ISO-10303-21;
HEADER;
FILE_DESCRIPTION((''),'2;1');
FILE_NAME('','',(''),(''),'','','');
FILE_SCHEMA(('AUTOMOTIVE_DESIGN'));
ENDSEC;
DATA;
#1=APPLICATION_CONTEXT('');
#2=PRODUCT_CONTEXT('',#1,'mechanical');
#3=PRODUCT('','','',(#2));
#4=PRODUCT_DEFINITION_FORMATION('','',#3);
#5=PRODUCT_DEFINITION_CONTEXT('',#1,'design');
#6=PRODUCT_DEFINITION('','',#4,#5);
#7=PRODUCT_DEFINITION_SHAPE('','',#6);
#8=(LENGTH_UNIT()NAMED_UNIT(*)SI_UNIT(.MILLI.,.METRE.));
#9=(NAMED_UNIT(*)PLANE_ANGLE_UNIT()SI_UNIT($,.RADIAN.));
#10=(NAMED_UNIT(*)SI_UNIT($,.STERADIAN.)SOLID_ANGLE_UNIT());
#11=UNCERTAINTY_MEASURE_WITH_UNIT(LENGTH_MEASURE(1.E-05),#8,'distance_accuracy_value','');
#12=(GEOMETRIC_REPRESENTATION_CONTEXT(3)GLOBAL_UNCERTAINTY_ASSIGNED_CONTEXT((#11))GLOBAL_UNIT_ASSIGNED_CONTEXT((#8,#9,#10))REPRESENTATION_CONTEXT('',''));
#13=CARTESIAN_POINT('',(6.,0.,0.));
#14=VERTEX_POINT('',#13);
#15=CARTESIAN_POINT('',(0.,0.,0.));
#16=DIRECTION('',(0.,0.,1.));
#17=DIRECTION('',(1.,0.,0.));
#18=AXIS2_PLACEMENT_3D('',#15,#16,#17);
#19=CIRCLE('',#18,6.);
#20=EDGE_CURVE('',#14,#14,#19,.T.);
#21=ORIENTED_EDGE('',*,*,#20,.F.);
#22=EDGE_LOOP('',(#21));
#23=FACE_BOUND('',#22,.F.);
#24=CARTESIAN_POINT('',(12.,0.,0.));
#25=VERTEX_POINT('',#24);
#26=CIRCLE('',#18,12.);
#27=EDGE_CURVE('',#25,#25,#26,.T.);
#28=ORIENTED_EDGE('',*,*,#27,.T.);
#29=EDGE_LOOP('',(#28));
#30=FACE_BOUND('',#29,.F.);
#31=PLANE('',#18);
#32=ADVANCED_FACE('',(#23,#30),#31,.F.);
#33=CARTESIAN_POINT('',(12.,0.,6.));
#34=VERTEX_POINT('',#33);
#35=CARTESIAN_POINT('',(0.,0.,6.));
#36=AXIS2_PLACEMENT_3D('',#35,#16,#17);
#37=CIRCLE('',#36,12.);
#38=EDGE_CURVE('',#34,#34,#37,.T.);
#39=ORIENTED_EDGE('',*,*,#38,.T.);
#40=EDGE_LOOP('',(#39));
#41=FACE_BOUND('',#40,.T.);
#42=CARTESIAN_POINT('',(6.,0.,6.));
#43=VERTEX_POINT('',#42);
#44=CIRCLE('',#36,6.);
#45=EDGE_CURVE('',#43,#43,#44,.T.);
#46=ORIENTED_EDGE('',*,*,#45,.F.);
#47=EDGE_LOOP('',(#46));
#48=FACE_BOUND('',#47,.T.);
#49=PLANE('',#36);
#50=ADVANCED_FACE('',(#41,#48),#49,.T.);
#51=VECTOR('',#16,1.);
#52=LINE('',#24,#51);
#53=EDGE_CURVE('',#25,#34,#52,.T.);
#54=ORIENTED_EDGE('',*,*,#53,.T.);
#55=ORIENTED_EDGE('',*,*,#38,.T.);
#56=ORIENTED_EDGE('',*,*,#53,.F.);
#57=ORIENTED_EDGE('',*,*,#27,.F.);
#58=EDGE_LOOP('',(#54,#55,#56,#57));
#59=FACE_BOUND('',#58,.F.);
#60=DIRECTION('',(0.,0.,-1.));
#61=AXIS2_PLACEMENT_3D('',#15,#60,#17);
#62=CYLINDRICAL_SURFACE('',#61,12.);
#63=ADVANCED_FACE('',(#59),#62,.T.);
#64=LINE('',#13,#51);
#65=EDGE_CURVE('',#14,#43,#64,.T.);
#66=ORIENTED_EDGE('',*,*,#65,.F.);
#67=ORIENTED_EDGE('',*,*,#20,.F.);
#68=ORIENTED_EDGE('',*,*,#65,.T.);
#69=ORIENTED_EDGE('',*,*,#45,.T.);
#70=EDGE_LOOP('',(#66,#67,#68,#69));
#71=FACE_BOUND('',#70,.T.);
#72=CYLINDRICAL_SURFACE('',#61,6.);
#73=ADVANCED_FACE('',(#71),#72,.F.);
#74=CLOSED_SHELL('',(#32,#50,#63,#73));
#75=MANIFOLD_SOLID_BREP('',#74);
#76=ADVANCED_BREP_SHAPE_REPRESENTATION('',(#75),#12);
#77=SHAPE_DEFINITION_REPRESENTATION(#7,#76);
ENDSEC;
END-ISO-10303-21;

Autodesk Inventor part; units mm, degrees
ref_plane "YZ Plane" through (0, 0, 0) normal (1, 0, 0) x (0, 1, 0)
ref_plane "XZ Plane" through (0, 0, 0) normal (0, 1, 0) x (-1, 0, 0)
ref_plane "XY Plane" through (0, 0, 0) normal (0, 0, 1) x (1, 0, 0)
sketch "Sketch1" plane through (0, 0, 0) normal (0, 0, 1) x (1, 0, 0)
  circle A0 centre (0, 0) radius 6
  circle A1 centre (0, 0) radius 12
  dimension "d0" = 24
  dimension "d1" = 12
extrude "Extrusion1" add sketch "Sketch1" along normal blind 6
properties part number "Bearing"
